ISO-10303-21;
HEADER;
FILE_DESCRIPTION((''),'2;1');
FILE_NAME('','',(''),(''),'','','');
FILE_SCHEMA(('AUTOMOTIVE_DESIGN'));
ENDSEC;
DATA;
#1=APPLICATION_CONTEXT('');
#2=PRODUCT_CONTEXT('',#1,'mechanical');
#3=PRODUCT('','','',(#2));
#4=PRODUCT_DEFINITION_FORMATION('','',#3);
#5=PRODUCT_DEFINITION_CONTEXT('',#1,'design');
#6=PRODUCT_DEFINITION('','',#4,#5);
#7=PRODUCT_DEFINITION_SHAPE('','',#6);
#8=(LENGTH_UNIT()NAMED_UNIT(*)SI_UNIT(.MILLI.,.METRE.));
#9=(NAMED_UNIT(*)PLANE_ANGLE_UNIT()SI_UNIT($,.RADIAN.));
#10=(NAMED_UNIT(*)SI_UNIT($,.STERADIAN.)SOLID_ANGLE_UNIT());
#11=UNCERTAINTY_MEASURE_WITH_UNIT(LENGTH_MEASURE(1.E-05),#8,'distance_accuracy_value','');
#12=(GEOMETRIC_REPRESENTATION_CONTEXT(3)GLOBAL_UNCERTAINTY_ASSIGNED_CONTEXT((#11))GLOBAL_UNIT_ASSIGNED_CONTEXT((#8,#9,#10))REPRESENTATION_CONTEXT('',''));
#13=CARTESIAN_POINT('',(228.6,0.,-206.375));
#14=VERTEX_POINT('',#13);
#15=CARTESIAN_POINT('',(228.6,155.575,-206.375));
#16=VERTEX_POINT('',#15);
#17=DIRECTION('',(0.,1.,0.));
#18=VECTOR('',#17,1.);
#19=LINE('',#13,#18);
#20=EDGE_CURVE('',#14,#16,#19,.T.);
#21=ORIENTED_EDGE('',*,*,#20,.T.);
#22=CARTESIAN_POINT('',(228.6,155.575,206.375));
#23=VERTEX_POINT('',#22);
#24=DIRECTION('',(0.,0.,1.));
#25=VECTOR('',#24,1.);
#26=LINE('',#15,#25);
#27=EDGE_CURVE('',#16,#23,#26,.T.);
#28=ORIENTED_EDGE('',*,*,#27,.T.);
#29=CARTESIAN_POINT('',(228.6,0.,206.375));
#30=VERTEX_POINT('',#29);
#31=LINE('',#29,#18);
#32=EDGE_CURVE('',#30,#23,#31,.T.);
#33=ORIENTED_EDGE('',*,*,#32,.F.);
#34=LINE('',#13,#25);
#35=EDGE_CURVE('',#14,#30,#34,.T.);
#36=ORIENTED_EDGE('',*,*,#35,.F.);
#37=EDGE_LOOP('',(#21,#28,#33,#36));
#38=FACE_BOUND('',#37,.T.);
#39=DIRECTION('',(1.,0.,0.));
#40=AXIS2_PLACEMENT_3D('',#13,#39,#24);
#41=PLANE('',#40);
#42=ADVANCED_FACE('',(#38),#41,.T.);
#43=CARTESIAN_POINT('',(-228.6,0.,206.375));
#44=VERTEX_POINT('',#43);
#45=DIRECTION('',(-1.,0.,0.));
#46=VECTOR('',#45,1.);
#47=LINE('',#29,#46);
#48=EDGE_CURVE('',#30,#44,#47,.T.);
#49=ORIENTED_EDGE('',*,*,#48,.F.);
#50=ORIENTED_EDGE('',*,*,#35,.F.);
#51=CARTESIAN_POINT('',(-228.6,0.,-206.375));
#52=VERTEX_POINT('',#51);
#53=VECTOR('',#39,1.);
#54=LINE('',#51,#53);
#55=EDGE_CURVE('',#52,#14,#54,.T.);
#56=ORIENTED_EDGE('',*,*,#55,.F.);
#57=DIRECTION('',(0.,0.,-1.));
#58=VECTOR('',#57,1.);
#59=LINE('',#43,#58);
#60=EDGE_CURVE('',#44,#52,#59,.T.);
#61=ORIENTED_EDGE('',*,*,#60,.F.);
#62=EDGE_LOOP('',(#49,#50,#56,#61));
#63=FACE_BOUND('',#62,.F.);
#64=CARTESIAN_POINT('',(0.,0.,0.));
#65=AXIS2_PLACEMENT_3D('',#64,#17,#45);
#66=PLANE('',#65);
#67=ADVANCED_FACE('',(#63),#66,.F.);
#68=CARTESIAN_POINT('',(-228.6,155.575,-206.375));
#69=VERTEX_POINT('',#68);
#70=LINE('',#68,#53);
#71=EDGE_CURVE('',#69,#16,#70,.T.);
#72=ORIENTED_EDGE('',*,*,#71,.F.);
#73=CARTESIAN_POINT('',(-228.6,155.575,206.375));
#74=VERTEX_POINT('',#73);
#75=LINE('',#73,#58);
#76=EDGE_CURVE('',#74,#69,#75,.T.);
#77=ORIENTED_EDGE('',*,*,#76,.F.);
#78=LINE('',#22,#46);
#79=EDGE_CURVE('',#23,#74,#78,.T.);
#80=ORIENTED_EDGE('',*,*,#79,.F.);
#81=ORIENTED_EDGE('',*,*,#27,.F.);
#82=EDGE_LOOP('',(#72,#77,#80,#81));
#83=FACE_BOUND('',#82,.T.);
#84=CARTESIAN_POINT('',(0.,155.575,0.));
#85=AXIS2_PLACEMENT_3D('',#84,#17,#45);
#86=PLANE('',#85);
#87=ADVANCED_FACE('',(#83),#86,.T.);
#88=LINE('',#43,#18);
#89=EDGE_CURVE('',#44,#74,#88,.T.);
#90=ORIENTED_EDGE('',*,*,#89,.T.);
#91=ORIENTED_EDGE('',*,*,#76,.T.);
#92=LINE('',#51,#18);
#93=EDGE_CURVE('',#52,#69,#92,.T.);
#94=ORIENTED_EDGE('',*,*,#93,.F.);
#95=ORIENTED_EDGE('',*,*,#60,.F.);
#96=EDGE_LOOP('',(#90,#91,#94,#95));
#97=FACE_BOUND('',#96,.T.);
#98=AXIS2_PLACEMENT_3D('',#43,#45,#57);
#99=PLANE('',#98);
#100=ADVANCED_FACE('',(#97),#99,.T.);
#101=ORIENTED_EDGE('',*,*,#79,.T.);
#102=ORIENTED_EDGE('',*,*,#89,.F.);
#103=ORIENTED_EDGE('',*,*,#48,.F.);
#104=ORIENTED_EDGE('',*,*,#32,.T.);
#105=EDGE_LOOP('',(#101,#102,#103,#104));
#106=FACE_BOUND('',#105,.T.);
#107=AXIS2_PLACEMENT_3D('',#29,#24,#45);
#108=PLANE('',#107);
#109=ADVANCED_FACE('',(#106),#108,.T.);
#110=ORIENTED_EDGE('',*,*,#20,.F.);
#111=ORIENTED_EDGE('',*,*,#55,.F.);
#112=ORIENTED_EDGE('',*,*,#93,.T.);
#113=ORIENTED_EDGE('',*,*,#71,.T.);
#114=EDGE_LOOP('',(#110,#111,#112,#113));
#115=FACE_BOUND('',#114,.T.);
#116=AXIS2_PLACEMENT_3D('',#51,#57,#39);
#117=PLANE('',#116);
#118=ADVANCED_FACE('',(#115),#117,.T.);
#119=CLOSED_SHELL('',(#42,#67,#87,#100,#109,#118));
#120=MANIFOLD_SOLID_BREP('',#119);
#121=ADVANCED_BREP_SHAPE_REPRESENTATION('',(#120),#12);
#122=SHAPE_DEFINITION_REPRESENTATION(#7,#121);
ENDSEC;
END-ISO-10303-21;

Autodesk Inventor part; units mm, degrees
ref_plane "YZ Plane" through (0, 0, 0) normal (1, 0, 0) x (0, 1, 0)
ref_plane "XZ Plane" through (0, 0, 0) normal (0, 1, 0) x (-1, 0, 0)
ref_plane "XY Plane" through (0, 0, 0) normal (0, 0, 1) x (1, 0, 0)
sketch "Sketch1" plane through (0, 0, 0) normal (0, 1, 0) x (-1, 0, 0)
  line L0 (228.6, -206.375) -> (-228.6, -206.375)
  line L1 (-228.6, -206.375) -> (-228.6, 206.375)
  line L2 (-228.6, 206.375) -> (228.6, 206.375)
  line L3 (228.6, 206.375) -> (228.6, -206.375)
  line L4 (228.6, -206.375) -> (-228.6, 206.375) construction
  line L5 (-228.6, -206.375) -> (228.6, 206.375) construction
  point P0 (0, 0)
  dimension "d0" = 457.2
  dimension "d1" = 412.75
extrude "Extrusion1" add sketch "Sketch1" along normal blind 155.575
properties part number "Test" material "Granite, Cut, Polished"
